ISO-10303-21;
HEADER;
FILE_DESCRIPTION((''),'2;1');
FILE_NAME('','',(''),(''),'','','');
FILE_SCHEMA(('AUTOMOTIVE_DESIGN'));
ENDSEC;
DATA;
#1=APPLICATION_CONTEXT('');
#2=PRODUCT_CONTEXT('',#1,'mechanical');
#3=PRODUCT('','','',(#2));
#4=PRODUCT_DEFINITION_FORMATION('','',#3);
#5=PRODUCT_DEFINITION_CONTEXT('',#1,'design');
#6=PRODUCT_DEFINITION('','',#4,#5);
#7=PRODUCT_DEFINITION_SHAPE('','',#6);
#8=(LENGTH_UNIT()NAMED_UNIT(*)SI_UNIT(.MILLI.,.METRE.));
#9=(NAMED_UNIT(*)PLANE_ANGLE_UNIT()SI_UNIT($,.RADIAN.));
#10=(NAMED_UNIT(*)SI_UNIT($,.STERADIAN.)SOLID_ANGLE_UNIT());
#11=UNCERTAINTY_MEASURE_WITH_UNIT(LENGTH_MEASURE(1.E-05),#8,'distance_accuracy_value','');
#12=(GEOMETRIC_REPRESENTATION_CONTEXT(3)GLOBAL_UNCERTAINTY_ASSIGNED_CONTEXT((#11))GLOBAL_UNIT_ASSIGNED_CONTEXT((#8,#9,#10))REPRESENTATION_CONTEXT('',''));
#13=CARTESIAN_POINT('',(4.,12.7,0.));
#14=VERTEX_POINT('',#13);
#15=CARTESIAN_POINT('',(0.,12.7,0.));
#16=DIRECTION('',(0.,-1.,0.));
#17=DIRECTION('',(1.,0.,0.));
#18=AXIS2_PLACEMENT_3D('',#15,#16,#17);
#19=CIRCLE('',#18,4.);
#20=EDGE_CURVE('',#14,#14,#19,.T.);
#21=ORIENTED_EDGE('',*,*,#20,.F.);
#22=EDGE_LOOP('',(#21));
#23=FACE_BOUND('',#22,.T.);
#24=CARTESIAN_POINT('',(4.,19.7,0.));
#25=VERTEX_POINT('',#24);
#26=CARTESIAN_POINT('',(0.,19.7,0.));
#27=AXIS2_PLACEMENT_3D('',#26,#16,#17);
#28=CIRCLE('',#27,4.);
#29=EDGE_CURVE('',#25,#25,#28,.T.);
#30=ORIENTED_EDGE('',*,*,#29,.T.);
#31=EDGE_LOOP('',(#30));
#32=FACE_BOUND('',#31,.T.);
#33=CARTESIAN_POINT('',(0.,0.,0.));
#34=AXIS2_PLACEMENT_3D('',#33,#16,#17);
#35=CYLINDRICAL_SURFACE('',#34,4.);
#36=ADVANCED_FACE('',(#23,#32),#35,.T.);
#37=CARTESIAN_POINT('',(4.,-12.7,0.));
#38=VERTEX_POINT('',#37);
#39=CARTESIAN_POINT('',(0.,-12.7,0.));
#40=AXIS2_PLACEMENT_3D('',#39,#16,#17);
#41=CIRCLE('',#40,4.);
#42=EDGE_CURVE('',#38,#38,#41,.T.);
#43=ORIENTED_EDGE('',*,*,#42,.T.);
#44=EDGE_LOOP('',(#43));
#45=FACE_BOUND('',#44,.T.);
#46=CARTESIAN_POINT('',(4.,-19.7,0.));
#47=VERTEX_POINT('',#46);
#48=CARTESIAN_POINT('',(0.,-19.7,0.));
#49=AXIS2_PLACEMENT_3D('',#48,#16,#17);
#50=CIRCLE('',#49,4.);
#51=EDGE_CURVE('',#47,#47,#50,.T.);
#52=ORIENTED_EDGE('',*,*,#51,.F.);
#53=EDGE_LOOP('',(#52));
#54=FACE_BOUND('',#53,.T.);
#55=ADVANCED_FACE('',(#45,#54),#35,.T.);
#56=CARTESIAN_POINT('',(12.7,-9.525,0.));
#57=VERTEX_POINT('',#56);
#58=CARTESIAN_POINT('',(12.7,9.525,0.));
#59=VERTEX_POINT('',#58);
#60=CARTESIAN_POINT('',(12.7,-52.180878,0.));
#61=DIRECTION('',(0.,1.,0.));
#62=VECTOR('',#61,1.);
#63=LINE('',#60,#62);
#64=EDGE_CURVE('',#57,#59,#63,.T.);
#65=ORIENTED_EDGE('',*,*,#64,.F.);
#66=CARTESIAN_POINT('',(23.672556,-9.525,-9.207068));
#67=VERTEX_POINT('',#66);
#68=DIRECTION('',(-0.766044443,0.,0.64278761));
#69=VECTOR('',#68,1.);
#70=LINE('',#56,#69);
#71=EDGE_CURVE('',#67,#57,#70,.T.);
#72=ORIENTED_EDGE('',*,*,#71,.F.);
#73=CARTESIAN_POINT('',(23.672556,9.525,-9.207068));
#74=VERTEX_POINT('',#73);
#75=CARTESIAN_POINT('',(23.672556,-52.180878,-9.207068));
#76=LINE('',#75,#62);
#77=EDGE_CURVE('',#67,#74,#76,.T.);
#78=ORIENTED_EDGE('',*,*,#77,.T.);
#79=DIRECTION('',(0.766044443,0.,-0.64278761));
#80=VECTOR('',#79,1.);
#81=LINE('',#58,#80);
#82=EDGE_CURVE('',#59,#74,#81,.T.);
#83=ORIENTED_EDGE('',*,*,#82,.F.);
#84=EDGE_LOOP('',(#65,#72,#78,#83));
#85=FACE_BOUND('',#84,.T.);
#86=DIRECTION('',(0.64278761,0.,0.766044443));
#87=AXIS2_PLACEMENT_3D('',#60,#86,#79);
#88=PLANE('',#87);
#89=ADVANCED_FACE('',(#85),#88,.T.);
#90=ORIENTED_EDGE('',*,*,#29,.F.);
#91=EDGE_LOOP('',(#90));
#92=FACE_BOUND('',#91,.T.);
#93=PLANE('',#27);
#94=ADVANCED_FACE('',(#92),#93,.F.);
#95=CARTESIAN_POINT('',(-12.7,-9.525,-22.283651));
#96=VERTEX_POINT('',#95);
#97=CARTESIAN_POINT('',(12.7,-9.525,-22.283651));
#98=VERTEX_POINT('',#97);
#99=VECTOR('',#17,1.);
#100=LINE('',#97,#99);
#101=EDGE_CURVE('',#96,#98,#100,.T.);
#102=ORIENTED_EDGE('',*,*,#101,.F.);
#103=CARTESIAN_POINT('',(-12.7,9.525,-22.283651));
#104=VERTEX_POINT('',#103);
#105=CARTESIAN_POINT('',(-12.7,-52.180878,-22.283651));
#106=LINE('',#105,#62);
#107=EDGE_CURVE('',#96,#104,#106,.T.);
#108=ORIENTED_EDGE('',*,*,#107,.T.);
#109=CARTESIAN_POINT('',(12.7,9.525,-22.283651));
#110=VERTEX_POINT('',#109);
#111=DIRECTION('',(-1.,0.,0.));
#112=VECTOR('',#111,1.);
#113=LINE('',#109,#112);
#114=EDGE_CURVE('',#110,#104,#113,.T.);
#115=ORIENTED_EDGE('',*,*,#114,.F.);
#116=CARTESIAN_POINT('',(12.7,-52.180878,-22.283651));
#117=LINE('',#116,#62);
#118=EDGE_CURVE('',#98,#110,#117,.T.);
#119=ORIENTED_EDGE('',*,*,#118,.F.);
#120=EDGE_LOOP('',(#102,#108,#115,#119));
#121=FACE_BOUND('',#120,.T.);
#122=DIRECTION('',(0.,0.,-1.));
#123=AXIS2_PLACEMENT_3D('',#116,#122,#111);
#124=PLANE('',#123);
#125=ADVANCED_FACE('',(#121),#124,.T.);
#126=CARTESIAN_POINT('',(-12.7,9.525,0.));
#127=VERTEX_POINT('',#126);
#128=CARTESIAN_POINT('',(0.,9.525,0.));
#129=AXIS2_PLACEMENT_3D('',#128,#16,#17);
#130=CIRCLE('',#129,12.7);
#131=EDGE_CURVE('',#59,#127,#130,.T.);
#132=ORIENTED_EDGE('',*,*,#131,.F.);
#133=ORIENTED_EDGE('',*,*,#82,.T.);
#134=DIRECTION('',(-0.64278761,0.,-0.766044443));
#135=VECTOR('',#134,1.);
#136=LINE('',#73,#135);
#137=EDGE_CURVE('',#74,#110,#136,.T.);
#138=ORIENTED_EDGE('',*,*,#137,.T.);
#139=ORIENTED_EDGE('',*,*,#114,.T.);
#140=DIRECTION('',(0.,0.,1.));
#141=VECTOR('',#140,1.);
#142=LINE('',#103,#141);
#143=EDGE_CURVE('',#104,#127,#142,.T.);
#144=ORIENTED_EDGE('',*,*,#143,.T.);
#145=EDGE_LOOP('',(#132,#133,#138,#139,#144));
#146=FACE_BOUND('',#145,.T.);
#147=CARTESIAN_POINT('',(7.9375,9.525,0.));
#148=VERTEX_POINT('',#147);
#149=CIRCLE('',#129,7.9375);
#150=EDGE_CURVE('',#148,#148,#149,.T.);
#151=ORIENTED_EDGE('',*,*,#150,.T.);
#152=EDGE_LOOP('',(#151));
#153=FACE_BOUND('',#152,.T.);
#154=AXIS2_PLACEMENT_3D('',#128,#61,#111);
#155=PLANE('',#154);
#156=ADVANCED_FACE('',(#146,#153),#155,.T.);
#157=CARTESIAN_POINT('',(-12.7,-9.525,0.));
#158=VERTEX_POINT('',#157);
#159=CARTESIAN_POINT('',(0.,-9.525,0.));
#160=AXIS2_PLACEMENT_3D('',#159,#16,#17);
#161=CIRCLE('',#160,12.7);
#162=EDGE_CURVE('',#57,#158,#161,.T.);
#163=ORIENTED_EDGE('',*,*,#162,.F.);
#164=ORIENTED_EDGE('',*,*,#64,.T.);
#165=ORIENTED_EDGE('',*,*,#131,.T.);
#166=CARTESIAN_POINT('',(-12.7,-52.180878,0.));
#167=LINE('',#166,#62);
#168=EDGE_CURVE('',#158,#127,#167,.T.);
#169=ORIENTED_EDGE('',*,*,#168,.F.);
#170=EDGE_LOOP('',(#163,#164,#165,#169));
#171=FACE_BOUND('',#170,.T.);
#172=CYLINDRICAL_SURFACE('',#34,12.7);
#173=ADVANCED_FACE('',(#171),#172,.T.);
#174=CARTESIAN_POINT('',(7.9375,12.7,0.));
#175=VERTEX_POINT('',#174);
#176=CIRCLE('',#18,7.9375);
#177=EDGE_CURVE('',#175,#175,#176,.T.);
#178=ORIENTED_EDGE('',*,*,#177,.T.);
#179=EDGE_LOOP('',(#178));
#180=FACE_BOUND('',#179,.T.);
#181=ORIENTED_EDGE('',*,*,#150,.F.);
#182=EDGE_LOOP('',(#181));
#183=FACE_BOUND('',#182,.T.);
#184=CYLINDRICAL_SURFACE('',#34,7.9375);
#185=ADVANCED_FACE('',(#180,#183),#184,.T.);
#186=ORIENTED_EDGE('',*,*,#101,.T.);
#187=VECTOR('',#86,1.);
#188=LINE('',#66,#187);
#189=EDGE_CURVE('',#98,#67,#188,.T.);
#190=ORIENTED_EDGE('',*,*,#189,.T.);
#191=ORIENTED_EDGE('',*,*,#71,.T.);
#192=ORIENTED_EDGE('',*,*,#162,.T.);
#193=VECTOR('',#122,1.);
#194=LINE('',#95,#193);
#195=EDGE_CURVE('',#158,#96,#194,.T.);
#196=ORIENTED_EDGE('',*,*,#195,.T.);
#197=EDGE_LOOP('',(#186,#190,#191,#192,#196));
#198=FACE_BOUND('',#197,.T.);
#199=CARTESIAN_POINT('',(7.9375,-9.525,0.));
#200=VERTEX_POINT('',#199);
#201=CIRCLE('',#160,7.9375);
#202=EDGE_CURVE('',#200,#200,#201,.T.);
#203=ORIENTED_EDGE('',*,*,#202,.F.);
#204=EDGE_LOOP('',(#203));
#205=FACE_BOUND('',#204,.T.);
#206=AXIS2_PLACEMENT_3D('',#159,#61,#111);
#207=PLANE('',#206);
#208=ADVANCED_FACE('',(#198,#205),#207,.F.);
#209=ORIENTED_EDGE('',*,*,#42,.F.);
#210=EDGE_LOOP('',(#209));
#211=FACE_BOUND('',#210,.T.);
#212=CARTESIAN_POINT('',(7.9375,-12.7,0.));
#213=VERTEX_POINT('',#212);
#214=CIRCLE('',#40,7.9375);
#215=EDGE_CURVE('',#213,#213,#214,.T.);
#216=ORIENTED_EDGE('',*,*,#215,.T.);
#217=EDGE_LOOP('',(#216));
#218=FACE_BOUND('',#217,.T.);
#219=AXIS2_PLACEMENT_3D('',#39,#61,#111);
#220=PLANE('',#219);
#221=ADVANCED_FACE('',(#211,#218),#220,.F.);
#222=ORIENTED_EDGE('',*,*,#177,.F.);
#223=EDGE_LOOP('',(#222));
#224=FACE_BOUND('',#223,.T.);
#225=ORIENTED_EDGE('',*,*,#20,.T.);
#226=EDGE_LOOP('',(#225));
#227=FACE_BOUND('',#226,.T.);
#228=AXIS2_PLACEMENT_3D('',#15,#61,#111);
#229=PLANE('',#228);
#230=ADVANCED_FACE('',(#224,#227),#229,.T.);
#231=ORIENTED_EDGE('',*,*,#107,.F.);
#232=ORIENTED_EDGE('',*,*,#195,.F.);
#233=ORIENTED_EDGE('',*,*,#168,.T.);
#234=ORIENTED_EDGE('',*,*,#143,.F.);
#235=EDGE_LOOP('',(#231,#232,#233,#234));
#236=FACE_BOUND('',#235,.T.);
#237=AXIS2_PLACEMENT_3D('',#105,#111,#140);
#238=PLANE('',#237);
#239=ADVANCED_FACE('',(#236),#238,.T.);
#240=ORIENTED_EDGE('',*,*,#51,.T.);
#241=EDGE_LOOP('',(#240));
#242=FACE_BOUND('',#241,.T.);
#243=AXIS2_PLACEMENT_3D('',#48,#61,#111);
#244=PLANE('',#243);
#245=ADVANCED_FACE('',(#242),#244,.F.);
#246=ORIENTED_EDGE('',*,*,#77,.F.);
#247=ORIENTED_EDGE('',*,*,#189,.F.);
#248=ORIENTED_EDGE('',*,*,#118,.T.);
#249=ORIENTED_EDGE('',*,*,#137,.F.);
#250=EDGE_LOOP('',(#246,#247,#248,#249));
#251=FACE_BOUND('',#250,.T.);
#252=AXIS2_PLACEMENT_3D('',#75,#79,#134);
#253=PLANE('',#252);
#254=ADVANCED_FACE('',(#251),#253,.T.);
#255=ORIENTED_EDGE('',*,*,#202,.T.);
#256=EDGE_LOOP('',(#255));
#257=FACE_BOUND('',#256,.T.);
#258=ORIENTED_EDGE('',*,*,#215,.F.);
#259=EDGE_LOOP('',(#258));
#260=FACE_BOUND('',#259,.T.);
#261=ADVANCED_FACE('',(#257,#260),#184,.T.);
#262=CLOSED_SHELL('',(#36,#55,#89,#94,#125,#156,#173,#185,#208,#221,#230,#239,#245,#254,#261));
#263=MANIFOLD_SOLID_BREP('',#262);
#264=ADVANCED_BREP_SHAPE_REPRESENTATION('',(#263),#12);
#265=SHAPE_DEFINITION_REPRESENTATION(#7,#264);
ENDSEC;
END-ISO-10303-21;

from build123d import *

# Parameters (mm, degrees)
BOSS_EXTRUDE1_DEPTH = 19.05


with BuildPart() as part:
    # Sketch1 → Revolve1 (revolve)
    with BuildSketch(Plane.XY, mode=Mode.PRIVATE) as revolve1_sk:
        Polygon((-4, -19.7), (0, -19.7), (0, 19.7), (-4, 19.7), (-4, 12.7), (-7.9375, 12.7), (-7.9375, 9.525), (-12.7, 9.525), (-12.7, -9.525), (-7.9375, -9.525), (-7.9375, -12.7), (-4, -12.7), align=None)
    revolve(revolve1_sk.sketch.rotate(Axis((0, 0, 0), (0, 1, 0)), 180), axis=Axis((0, 0, 0), (0, 1, 0)))

    # Sketch2 → Boss-Extrude1 (add)
    with BuildSketch(Plane(origin=(0, 9.525, 0), x_dir=(1, 0, 0), z_dir=(0, 1, 0))):
        Polygon((12.7, 0), (23.672555951, 9.207067652), (12.7, 22.283650626), (-12.7, 22.283650626), (-12.7, 0), align=None)
    extrude(amount=-BOSS_EXTRUDE1_DEPTH)


solid = part.part
